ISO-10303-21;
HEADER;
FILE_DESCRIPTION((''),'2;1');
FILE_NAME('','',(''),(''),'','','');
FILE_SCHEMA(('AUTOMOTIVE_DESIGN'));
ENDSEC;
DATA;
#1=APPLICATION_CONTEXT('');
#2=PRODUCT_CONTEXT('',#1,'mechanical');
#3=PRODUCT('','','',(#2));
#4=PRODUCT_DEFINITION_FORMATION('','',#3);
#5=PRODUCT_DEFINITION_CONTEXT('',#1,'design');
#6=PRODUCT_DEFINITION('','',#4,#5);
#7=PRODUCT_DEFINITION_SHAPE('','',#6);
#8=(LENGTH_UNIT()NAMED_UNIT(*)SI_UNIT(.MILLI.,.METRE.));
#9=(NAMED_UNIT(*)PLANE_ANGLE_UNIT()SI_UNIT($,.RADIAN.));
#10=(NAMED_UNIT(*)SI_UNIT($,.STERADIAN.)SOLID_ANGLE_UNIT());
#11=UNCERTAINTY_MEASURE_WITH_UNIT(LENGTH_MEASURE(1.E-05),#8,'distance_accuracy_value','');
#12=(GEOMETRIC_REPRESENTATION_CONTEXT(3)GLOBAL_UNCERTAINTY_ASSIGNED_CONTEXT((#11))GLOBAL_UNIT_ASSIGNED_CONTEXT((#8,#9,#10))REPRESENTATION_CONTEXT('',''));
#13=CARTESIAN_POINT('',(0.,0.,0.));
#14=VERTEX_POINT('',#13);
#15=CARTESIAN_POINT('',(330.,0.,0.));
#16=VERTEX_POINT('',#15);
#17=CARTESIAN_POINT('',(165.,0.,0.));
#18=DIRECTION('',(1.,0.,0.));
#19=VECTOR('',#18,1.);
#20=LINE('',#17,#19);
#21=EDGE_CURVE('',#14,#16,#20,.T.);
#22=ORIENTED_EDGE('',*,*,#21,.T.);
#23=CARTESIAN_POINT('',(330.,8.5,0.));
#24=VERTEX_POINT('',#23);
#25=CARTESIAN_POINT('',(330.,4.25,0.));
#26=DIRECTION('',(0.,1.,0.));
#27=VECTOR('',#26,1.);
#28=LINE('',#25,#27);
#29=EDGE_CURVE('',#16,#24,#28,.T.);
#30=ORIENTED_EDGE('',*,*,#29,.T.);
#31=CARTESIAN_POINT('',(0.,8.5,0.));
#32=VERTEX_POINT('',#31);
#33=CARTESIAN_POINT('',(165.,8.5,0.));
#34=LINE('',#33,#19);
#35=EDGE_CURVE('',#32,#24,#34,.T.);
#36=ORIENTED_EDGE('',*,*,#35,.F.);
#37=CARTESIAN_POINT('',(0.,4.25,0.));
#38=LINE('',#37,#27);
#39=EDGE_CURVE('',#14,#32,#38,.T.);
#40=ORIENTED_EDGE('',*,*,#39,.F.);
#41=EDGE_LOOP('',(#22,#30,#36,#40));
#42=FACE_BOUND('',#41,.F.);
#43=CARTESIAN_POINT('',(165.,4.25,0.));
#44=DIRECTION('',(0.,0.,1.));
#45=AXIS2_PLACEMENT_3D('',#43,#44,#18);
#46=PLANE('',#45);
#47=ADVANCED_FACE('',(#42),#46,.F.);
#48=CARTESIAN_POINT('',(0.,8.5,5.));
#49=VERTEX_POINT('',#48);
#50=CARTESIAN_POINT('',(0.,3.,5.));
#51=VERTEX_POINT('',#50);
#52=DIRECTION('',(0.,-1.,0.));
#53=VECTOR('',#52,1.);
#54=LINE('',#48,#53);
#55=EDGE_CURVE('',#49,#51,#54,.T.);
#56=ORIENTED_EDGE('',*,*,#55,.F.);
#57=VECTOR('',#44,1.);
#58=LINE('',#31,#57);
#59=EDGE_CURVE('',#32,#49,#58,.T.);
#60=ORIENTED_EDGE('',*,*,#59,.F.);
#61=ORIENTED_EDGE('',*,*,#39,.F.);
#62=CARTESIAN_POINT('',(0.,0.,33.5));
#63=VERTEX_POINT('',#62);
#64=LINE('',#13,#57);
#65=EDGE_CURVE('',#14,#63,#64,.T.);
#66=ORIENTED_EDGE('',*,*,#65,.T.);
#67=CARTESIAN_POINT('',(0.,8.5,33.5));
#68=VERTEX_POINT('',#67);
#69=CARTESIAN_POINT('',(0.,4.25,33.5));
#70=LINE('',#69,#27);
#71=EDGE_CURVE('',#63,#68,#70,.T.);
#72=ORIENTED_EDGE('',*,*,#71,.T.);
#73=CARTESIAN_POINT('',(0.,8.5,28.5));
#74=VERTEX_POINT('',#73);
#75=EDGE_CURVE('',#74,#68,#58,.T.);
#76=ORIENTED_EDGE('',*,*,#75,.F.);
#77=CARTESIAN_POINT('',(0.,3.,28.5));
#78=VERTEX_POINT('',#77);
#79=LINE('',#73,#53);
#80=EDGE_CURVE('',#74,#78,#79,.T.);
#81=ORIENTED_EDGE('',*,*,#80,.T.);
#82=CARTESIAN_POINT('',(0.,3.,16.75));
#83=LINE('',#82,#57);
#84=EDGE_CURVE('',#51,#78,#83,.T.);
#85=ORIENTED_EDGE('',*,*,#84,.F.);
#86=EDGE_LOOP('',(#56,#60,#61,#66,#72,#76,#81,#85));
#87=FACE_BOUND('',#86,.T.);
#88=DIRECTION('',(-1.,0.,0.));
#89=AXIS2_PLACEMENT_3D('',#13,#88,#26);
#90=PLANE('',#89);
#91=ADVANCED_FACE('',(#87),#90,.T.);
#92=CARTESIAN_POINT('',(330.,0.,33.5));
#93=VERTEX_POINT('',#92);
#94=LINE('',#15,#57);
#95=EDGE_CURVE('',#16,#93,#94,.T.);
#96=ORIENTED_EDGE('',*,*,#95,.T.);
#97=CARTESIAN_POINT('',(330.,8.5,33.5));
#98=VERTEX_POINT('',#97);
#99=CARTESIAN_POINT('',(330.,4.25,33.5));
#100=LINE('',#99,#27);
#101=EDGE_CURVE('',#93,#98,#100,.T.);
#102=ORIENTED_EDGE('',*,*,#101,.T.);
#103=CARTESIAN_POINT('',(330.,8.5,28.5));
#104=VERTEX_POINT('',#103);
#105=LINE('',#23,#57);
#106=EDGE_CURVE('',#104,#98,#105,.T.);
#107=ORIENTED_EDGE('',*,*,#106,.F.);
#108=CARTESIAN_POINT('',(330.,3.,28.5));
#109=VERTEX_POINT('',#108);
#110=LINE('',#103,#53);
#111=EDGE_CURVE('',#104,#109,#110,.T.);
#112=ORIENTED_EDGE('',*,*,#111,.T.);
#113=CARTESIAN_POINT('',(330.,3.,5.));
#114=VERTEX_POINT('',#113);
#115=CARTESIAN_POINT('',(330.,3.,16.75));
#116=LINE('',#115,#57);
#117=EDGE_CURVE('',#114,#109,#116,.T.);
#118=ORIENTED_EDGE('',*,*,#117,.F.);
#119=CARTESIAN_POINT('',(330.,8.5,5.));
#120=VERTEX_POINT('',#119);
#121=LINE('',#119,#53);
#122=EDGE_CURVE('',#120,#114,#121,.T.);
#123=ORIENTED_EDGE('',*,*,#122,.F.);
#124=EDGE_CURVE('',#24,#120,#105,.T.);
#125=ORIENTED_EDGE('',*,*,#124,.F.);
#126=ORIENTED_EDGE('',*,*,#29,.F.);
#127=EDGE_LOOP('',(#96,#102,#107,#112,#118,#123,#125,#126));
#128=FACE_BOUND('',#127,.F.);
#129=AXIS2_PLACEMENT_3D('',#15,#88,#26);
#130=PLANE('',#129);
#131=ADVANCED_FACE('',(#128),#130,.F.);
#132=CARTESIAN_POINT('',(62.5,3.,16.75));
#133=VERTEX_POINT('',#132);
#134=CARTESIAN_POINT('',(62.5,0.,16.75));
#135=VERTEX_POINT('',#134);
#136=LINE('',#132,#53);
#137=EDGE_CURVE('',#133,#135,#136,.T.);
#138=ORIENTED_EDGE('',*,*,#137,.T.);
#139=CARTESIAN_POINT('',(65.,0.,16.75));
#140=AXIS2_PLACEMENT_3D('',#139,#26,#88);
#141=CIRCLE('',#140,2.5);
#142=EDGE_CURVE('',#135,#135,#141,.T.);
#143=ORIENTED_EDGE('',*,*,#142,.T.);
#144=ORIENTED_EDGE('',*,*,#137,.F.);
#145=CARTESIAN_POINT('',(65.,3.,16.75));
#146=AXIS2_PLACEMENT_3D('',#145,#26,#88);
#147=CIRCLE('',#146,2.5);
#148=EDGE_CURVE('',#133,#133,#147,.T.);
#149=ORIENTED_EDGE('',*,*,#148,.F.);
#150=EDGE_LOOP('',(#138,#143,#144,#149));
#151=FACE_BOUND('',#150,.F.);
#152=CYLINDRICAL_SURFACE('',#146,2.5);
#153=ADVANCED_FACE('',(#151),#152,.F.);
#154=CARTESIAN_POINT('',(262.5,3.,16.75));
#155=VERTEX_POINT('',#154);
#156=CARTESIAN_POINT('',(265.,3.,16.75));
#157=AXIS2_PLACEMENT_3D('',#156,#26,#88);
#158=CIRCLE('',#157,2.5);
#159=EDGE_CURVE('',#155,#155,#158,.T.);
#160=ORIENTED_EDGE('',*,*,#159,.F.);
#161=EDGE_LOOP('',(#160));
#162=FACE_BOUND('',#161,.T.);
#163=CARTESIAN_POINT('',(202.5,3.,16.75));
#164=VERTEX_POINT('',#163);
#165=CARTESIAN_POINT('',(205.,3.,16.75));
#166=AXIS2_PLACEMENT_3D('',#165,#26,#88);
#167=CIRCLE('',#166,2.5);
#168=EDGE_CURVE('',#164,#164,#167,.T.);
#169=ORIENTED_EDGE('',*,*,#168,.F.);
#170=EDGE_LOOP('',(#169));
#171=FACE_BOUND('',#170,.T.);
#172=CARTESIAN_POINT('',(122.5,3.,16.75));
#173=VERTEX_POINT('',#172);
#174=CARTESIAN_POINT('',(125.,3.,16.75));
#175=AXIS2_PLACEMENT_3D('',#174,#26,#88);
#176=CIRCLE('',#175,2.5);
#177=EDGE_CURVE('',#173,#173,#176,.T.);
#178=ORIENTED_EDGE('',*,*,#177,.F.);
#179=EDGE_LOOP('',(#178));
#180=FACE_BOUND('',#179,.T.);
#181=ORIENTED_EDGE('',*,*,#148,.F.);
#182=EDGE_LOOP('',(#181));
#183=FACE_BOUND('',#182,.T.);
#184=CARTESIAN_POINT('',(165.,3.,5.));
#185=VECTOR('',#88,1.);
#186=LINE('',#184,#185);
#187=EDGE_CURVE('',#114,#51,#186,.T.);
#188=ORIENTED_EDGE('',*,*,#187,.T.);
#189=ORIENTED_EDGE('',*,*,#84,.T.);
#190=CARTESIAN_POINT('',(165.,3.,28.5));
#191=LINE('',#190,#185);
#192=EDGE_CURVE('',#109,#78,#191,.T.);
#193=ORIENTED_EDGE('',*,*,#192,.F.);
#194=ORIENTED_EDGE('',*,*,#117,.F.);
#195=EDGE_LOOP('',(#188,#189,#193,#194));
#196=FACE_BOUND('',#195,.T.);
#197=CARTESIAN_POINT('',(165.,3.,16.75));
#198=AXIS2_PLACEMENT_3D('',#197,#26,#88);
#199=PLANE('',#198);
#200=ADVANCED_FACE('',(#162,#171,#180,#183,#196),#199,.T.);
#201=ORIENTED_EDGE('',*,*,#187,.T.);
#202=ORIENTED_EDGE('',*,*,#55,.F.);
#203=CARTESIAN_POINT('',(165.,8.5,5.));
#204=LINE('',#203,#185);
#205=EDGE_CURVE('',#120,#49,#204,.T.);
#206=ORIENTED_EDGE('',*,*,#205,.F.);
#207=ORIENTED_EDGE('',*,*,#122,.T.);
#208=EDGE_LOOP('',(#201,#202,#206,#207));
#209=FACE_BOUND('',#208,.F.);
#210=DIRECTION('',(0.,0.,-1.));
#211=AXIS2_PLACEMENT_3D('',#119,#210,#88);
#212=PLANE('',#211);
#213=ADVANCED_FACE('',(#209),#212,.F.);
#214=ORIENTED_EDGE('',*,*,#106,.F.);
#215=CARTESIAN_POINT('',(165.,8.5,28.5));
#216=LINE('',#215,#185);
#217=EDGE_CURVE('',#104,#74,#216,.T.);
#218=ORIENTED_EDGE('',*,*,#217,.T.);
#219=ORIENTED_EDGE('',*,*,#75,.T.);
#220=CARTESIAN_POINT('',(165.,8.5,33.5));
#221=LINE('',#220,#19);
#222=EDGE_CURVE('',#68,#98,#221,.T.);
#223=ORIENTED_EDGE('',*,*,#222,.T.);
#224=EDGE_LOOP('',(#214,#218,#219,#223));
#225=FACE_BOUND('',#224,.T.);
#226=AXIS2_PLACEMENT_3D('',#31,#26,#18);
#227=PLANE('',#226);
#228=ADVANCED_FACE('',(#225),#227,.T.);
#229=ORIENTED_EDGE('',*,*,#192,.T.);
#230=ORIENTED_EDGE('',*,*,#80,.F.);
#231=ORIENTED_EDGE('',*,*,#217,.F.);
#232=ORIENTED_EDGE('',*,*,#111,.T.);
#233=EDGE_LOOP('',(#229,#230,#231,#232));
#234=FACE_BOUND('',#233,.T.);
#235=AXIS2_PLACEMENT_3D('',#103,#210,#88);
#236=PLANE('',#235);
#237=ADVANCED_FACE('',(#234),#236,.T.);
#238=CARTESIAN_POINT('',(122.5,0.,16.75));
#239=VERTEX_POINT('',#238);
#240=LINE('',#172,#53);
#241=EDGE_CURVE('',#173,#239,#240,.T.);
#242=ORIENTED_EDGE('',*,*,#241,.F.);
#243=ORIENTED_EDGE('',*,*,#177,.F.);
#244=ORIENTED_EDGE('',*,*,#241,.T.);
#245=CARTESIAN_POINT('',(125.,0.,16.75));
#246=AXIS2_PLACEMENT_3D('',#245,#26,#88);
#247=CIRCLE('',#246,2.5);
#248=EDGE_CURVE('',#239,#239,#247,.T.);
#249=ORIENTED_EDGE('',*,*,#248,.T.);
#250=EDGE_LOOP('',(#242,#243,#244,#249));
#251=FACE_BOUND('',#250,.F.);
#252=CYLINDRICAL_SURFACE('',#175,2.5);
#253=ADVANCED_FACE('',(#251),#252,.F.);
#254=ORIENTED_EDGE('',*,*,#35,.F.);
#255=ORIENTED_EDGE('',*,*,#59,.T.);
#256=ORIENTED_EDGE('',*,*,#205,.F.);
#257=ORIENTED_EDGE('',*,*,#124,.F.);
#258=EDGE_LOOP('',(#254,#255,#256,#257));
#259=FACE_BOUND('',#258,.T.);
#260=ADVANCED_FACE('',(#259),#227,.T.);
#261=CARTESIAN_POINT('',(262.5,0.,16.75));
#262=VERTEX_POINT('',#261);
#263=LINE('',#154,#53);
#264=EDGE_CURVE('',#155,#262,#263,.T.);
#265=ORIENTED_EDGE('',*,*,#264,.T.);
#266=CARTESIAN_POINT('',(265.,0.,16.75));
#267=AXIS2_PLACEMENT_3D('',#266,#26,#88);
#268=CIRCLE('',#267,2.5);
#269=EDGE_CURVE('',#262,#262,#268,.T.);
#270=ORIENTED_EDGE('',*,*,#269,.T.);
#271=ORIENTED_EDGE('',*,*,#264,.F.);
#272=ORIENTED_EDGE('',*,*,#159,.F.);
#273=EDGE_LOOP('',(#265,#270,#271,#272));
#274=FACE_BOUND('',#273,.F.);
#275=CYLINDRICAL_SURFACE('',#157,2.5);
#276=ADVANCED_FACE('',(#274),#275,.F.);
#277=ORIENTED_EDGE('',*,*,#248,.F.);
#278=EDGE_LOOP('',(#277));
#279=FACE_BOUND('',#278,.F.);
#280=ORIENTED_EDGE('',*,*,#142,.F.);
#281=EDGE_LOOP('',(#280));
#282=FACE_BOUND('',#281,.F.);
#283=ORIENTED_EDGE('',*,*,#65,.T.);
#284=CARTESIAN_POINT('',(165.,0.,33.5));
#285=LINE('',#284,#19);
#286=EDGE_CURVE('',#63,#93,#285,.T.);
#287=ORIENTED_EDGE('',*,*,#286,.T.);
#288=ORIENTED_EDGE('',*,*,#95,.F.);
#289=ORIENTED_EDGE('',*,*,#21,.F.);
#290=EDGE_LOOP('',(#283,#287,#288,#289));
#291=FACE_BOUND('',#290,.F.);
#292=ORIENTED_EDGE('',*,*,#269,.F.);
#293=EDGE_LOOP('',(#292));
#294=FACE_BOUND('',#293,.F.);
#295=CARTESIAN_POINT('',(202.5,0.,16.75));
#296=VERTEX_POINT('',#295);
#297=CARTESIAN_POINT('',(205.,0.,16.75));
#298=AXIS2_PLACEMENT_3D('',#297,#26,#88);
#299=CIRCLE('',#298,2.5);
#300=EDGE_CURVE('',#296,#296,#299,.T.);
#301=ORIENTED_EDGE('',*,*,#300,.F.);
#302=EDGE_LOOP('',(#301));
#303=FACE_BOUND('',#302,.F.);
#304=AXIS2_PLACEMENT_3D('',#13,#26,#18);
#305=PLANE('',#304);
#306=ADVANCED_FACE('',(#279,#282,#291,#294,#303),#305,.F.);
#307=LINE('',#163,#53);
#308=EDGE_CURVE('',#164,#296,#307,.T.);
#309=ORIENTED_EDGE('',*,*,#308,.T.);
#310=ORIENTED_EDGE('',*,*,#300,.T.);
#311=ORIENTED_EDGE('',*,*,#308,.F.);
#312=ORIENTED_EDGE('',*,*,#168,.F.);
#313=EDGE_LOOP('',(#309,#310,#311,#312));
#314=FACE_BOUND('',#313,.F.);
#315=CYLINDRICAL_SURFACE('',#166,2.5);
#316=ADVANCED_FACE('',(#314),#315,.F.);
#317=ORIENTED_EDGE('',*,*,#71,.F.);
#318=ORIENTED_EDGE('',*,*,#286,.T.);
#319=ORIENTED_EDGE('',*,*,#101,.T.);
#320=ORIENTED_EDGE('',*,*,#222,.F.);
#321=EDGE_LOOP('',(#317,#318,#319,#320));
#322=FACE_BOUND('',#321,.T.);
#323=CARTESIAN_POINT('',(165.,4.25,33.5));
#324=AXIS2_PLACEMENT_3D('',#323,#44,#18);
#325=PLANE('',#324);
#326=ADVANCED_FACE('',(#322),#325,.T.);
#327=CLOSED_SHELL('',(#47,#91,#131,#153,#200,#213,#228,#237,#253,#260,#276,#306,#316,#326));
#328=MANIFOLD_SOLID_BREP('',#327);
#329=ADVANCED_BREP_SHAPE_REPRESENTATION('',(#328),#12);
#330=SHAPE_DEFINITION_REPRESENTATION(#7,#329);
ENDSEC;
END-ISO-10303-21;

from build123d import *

# Parameters (mm, degrees)
SKETCH_W        = 330
SKETCH_H        = 8.5
PAD_DEPTH       = 33.5
SKETCH001_W     = 330
SKETCH001_H     = 23.5
POCKET_DEPTH    = 5.5
SKETCH002_R     = 2.5
POCKET001_DEPTH = 3.001


with BuildPart() as part:
    # Sketch → Pad (new body)
    with BuildSketch(Plane.XY):
        with Locations((165, 4.25)):
            Rectangle(SKETCH_W, SKETCH_H)
    extrude(amount=PAD_DEPTH)

    # Sketch001 (on Face3 of Pad) → Pocket (cut)
    with BuildSketch(Plane(origin=(0, 8.5, 0), x_dir=(-1, 0, 0), z_dir=(0, 1, 0))):
        with Locations((-165, 16.75)):
            Rectangle(SKETCH001_W, SKETCH001_H)
    extrude(amount=-POCKET_DEPTH, mode=Mode.SUBTRACT)

    # Sketch002 (on Face8 of Pocket) → Pocket001 (cut, through all)
    with BuildSketch(Plane(origin=(0, 3, 0), x_dir=(-1, 0, 0), z_dir=(0, 1, 0))):
        with Locations((-265, 16.75)):
            Circle(SKETCH002_R)
        with Locations((-205, 16.75)):
            Circle(SKETCH002_R)
        with Locations((-125, 16.75)):
            Circle(SKETCH002_R)
        with Locations((-65, 16.75)):
            Circle(SKETCH002_R)
    extrude(amount=-POCKET001_DEPTH, mode=Mode.SUBTRACT)


solid = part.part
